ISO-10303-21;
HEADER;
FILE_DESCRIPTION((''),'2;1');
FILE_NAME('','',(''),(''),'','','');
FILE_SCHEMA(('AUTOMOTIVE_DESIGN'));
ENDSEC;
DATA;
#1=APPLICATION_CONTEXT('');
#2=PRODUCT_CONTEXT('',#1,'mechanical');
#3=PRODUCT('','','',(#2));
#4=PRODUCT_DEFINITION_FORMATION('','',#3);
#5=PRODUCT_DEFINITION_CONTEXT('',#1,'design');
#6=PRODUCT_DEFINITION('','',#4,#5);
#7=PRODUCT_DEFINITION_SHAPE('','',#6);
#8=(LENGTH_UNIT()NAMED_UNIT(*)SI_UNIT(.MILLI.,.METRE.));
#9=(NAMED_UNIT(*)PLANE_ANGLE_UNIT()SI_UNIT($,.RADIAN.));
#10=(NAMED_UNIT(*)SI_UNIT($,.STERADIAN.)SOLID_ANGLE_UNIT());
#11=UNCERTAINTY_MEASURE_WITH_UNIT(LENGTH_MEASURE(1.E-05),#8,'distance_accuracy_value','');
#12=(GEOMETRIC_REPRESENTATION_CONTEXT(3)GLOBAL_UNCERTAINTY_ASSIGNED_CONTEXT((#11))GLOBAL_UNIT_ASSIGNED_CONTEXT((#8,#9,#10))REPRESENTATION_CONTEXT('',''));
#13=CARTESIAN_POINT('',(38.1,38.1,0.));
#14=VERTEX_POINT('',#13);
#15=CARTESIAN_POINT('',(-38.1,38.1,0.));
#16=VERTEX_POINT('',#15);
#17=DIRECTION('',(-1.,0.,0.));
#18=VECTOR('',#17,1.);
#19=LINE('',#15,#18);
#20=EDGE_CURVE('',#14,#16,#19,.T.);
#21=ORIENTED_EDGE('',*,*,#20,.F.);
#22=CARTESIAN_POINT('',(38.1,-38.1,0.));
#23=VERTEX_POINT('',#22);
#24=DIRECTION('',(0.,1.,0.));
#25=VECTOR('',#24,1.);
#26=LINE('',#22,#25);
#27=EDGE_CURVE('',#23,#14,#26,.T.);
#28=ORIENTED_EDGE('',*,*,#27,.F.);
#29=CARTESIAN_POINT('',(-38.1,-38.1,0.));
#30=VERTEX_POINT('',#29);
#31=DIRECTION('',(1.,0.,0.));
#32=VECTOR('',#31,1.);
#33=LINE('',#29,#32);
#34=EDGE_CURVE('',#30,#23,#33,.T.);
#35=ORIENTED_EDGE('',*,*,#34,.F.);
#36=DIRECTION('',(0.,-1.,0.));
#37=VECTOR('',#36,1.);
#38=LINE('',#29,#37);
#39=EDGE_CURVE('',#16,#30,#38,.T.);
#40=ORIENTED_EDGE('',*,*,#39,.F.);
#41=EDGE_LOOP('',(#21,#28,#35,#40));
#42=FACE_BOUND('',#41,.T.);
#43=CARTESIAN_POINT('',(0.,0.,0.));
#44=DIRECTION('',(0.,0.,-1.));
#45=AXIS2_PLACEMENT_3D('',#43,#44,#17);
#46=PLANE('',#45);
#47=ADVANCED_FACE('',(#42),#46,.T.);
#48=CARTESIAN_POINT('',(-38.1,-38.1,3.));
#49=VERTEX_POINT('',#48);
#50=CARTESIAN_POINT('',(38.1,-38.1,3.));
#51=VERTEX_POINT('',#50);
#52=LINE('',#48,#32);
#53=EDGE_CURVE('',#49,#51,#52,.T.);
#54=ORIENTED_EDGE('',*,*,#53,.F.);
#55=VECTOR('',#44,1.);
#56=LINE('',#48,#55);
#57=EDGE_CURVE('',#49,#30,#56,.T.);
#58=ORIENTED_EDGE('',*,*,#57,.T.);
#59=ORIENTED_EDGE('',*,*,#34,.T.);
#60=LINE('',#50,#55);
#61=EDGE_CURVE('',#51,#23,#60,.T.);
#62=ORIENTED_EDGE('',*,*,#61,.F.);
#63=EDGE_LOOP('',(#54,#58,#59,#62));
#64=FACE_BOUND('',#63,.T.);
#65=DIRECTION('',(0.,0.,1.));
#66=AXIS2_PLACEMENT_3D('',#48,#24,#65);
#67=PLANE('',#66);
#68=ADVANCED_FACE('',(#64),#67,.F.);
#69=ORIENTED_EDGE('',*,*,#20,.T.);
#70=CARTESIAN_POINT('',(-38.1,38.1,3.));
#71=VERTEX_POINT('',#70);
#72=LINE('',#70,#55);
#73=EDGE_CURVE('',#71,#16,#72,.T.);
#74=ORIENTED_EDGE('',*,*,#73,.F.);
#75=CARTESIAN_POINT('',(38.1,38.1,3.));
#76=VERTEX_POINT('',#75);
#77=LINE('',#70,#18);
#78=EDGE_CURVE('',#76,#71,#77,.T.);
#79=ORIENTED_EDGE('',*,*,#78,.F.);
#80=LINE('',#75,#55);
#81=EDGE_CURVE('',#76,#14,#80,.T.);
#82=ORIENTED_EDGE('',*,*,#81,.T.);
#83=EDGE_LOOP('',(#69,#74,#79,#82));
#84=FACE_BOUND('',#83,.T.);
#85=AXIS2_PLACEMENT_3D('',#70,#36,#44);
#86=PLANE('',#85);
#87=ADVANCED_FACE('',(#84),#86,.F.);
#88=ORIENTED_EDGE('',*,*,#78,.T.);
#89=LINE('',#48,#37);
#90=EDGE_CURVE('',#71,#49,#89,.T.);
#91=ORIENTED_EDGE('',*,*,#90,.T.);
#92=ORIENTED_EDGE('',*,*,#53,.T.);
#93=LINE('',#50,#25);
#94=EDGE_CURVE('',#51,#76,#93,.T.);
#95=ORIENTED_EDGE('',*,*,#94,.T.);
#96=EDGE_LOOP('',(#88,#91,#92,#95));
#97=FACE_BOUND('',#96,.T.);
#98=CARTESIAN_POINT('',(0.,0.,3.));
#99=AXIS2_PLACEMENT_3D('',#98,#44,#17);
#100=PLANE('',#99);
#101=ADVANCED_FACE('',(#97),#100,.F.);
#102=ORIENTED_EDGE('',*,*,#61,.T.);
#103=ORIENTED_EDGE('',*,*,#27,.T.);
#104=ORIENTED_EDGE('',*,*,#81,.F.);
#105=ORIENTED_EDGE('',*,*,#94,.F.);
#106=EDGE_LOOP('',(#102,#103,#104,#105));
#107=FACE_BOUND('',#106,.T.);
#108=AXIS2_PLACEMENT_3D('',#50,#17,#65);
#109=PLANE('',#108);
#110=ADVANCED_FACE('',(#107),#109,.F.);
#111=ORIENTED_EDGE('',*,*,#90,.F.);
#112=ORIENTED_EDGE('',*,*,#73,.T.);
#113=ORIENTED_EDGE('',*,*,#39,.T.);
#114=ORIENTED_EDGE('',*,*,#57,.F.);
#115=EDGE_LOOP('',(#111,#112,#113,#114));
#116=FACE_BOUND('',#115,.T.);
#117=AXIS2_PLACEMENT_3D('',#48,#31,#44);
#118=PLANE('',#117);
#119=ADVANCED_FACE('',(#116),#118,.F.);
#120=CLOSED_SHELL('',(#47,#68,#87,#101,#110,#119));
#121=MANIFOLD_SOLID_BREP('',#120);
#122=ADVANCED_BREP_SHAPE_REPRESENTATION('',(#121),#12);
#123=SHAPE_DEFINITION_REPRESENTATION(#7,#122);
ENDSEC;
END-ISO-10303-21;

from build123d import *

# Parameters (mm, degrees)
SKETCH_1_W      = 76.2
SKETCH_1_H      = 76.2
EXTRUDE_1_DEPTH = 3


with BuildPart() as part:
    # 스케치1 → 보스-돌출1 (new body)
    with BuildSketch(Plane.XY):
        Rectangle(SKETCH_1_W, SKETCH_1_H)
    extrude(amount=EXTRUDE_1_DEPTH)


solid = part.part
